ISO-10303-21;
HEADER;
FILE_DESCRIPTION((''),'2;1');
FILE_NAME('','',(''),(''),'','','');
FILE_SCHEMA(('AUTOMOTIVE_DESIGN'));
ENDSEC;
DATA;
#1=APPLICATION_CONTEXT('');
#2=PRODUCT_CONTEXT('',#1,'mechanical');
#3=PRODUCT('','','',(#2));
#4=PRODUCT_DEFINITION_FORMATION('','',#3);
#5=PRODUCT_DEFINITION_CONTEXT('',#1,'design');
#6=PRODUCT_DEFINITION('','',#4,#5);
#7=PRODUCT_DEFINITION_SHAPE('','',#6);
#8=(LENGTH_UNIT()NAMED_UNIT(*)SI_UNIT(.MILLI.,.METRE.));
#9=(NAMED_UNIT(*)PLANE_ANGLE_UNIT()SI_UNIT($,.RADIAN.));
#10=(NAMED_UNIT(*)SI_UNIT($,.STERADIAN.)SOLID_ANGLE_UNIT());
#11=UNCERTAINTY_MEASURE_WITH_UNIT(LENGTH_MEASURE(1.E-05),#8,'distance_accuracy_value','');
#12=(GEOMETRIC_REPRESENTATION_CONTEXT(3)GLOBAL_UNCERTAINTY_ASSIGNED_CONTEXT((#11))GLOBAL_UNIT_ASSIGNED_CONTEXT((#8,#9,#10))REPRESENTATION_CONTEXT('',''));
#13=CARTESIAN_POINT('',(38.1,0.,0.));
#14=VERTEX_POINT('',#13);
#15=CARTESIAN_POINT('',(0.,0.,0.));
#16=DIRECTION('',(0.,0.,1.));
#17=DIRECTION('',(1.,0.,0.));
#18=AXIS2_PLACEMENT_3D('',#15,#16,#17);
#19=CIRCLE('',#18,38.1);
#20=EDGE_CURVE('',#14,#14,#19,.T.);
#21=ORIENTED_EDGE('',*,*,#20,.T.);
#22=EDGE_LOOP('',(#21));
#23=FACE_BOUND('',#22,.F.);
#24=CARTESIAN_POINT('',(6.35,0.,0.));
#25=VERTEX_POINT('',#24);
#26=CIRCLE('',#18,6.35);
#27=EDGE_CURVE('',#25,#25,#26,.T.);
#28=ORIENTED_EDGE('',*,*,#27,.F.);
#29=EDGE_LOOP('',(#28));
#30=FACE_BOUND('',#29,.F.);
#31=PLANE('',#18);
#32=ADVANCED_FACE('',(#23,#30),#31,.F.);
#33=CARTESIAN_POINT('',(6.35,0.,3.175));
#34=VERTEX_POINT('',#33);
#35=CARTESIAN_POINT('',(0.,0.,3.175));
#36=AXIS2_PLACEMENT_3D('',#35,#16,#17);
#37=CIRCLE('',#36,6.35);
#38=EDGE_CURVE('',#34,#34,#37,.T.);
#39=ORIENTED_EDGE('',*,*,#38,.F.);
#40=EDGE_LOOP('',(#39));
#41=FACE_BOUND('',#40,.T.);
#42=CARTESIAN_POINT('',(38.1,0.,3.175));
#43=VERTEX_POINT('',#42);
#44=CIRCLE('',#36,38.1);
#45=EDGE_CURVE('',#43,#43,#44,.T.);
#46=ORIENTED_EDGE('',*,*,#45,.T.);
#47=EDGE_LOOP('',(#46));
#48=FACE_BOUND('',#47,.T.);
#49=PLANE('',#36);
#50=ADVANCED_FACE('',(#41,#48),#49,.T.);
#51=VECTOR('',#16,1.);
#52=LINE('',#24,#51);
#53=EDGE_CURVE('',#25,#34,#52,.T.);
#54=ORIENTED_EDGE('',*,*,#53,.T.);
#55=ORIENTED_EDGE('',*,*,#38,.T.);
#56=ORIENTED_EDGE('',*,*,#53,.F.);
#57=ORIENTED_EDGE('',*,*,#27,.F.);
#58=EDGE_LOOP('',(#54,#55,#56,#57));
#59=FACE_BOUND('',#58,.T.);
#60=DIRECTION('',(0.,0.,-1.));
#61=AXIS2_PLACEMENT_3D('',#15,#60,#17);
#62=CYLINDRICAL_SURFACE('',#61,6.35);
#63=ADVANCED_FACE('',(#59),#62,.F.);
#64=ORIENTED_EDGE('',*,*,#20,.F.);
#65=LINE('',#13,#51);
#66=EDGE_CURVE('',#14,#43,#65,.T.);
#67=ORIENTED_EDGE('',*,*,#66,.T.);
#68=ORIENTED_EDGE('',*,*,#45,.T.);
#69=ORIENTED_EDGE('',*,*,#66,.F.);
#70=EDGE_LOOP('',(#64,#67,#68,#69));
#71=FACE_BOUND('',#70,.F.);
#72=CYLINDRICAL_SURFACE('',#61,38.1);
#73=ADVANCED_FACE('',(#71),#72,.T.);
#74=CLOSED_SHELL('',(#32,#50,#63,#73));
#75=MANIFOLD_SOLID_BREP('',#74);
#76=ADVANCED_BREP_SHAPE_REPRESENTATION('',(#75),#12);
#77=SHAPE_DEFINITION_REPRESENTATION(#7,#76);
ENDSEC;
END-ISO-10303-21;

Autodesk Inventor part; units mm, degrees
ref_plane "YZ Plane" through (0, 0, 0) normal (1, 0, 0) x (0, 1, 0)
ref_plane "XZ Plane" through (0, 0, 0) normal (0, 1, 0) x (-1, 0, 0)
ref_plane "XY Plane" through (0, 0, 0) normal (0, 0, 1) x (1, 0, 0)
sketch "Sketch1" plane through (0, 0, 0) normal (0, 0, 1) x (1, 0, 0)
  circle A0 centre (0, 0) radius 38.1
  circle A1 centre (0, 0) radius 6.35
  dimension "d0" = 76.2
  dimension "d1" = 12.7
extrude "Extrusion1" add sketch "Sketch1" along normal blind 3.175
properties part number "sprocket"
